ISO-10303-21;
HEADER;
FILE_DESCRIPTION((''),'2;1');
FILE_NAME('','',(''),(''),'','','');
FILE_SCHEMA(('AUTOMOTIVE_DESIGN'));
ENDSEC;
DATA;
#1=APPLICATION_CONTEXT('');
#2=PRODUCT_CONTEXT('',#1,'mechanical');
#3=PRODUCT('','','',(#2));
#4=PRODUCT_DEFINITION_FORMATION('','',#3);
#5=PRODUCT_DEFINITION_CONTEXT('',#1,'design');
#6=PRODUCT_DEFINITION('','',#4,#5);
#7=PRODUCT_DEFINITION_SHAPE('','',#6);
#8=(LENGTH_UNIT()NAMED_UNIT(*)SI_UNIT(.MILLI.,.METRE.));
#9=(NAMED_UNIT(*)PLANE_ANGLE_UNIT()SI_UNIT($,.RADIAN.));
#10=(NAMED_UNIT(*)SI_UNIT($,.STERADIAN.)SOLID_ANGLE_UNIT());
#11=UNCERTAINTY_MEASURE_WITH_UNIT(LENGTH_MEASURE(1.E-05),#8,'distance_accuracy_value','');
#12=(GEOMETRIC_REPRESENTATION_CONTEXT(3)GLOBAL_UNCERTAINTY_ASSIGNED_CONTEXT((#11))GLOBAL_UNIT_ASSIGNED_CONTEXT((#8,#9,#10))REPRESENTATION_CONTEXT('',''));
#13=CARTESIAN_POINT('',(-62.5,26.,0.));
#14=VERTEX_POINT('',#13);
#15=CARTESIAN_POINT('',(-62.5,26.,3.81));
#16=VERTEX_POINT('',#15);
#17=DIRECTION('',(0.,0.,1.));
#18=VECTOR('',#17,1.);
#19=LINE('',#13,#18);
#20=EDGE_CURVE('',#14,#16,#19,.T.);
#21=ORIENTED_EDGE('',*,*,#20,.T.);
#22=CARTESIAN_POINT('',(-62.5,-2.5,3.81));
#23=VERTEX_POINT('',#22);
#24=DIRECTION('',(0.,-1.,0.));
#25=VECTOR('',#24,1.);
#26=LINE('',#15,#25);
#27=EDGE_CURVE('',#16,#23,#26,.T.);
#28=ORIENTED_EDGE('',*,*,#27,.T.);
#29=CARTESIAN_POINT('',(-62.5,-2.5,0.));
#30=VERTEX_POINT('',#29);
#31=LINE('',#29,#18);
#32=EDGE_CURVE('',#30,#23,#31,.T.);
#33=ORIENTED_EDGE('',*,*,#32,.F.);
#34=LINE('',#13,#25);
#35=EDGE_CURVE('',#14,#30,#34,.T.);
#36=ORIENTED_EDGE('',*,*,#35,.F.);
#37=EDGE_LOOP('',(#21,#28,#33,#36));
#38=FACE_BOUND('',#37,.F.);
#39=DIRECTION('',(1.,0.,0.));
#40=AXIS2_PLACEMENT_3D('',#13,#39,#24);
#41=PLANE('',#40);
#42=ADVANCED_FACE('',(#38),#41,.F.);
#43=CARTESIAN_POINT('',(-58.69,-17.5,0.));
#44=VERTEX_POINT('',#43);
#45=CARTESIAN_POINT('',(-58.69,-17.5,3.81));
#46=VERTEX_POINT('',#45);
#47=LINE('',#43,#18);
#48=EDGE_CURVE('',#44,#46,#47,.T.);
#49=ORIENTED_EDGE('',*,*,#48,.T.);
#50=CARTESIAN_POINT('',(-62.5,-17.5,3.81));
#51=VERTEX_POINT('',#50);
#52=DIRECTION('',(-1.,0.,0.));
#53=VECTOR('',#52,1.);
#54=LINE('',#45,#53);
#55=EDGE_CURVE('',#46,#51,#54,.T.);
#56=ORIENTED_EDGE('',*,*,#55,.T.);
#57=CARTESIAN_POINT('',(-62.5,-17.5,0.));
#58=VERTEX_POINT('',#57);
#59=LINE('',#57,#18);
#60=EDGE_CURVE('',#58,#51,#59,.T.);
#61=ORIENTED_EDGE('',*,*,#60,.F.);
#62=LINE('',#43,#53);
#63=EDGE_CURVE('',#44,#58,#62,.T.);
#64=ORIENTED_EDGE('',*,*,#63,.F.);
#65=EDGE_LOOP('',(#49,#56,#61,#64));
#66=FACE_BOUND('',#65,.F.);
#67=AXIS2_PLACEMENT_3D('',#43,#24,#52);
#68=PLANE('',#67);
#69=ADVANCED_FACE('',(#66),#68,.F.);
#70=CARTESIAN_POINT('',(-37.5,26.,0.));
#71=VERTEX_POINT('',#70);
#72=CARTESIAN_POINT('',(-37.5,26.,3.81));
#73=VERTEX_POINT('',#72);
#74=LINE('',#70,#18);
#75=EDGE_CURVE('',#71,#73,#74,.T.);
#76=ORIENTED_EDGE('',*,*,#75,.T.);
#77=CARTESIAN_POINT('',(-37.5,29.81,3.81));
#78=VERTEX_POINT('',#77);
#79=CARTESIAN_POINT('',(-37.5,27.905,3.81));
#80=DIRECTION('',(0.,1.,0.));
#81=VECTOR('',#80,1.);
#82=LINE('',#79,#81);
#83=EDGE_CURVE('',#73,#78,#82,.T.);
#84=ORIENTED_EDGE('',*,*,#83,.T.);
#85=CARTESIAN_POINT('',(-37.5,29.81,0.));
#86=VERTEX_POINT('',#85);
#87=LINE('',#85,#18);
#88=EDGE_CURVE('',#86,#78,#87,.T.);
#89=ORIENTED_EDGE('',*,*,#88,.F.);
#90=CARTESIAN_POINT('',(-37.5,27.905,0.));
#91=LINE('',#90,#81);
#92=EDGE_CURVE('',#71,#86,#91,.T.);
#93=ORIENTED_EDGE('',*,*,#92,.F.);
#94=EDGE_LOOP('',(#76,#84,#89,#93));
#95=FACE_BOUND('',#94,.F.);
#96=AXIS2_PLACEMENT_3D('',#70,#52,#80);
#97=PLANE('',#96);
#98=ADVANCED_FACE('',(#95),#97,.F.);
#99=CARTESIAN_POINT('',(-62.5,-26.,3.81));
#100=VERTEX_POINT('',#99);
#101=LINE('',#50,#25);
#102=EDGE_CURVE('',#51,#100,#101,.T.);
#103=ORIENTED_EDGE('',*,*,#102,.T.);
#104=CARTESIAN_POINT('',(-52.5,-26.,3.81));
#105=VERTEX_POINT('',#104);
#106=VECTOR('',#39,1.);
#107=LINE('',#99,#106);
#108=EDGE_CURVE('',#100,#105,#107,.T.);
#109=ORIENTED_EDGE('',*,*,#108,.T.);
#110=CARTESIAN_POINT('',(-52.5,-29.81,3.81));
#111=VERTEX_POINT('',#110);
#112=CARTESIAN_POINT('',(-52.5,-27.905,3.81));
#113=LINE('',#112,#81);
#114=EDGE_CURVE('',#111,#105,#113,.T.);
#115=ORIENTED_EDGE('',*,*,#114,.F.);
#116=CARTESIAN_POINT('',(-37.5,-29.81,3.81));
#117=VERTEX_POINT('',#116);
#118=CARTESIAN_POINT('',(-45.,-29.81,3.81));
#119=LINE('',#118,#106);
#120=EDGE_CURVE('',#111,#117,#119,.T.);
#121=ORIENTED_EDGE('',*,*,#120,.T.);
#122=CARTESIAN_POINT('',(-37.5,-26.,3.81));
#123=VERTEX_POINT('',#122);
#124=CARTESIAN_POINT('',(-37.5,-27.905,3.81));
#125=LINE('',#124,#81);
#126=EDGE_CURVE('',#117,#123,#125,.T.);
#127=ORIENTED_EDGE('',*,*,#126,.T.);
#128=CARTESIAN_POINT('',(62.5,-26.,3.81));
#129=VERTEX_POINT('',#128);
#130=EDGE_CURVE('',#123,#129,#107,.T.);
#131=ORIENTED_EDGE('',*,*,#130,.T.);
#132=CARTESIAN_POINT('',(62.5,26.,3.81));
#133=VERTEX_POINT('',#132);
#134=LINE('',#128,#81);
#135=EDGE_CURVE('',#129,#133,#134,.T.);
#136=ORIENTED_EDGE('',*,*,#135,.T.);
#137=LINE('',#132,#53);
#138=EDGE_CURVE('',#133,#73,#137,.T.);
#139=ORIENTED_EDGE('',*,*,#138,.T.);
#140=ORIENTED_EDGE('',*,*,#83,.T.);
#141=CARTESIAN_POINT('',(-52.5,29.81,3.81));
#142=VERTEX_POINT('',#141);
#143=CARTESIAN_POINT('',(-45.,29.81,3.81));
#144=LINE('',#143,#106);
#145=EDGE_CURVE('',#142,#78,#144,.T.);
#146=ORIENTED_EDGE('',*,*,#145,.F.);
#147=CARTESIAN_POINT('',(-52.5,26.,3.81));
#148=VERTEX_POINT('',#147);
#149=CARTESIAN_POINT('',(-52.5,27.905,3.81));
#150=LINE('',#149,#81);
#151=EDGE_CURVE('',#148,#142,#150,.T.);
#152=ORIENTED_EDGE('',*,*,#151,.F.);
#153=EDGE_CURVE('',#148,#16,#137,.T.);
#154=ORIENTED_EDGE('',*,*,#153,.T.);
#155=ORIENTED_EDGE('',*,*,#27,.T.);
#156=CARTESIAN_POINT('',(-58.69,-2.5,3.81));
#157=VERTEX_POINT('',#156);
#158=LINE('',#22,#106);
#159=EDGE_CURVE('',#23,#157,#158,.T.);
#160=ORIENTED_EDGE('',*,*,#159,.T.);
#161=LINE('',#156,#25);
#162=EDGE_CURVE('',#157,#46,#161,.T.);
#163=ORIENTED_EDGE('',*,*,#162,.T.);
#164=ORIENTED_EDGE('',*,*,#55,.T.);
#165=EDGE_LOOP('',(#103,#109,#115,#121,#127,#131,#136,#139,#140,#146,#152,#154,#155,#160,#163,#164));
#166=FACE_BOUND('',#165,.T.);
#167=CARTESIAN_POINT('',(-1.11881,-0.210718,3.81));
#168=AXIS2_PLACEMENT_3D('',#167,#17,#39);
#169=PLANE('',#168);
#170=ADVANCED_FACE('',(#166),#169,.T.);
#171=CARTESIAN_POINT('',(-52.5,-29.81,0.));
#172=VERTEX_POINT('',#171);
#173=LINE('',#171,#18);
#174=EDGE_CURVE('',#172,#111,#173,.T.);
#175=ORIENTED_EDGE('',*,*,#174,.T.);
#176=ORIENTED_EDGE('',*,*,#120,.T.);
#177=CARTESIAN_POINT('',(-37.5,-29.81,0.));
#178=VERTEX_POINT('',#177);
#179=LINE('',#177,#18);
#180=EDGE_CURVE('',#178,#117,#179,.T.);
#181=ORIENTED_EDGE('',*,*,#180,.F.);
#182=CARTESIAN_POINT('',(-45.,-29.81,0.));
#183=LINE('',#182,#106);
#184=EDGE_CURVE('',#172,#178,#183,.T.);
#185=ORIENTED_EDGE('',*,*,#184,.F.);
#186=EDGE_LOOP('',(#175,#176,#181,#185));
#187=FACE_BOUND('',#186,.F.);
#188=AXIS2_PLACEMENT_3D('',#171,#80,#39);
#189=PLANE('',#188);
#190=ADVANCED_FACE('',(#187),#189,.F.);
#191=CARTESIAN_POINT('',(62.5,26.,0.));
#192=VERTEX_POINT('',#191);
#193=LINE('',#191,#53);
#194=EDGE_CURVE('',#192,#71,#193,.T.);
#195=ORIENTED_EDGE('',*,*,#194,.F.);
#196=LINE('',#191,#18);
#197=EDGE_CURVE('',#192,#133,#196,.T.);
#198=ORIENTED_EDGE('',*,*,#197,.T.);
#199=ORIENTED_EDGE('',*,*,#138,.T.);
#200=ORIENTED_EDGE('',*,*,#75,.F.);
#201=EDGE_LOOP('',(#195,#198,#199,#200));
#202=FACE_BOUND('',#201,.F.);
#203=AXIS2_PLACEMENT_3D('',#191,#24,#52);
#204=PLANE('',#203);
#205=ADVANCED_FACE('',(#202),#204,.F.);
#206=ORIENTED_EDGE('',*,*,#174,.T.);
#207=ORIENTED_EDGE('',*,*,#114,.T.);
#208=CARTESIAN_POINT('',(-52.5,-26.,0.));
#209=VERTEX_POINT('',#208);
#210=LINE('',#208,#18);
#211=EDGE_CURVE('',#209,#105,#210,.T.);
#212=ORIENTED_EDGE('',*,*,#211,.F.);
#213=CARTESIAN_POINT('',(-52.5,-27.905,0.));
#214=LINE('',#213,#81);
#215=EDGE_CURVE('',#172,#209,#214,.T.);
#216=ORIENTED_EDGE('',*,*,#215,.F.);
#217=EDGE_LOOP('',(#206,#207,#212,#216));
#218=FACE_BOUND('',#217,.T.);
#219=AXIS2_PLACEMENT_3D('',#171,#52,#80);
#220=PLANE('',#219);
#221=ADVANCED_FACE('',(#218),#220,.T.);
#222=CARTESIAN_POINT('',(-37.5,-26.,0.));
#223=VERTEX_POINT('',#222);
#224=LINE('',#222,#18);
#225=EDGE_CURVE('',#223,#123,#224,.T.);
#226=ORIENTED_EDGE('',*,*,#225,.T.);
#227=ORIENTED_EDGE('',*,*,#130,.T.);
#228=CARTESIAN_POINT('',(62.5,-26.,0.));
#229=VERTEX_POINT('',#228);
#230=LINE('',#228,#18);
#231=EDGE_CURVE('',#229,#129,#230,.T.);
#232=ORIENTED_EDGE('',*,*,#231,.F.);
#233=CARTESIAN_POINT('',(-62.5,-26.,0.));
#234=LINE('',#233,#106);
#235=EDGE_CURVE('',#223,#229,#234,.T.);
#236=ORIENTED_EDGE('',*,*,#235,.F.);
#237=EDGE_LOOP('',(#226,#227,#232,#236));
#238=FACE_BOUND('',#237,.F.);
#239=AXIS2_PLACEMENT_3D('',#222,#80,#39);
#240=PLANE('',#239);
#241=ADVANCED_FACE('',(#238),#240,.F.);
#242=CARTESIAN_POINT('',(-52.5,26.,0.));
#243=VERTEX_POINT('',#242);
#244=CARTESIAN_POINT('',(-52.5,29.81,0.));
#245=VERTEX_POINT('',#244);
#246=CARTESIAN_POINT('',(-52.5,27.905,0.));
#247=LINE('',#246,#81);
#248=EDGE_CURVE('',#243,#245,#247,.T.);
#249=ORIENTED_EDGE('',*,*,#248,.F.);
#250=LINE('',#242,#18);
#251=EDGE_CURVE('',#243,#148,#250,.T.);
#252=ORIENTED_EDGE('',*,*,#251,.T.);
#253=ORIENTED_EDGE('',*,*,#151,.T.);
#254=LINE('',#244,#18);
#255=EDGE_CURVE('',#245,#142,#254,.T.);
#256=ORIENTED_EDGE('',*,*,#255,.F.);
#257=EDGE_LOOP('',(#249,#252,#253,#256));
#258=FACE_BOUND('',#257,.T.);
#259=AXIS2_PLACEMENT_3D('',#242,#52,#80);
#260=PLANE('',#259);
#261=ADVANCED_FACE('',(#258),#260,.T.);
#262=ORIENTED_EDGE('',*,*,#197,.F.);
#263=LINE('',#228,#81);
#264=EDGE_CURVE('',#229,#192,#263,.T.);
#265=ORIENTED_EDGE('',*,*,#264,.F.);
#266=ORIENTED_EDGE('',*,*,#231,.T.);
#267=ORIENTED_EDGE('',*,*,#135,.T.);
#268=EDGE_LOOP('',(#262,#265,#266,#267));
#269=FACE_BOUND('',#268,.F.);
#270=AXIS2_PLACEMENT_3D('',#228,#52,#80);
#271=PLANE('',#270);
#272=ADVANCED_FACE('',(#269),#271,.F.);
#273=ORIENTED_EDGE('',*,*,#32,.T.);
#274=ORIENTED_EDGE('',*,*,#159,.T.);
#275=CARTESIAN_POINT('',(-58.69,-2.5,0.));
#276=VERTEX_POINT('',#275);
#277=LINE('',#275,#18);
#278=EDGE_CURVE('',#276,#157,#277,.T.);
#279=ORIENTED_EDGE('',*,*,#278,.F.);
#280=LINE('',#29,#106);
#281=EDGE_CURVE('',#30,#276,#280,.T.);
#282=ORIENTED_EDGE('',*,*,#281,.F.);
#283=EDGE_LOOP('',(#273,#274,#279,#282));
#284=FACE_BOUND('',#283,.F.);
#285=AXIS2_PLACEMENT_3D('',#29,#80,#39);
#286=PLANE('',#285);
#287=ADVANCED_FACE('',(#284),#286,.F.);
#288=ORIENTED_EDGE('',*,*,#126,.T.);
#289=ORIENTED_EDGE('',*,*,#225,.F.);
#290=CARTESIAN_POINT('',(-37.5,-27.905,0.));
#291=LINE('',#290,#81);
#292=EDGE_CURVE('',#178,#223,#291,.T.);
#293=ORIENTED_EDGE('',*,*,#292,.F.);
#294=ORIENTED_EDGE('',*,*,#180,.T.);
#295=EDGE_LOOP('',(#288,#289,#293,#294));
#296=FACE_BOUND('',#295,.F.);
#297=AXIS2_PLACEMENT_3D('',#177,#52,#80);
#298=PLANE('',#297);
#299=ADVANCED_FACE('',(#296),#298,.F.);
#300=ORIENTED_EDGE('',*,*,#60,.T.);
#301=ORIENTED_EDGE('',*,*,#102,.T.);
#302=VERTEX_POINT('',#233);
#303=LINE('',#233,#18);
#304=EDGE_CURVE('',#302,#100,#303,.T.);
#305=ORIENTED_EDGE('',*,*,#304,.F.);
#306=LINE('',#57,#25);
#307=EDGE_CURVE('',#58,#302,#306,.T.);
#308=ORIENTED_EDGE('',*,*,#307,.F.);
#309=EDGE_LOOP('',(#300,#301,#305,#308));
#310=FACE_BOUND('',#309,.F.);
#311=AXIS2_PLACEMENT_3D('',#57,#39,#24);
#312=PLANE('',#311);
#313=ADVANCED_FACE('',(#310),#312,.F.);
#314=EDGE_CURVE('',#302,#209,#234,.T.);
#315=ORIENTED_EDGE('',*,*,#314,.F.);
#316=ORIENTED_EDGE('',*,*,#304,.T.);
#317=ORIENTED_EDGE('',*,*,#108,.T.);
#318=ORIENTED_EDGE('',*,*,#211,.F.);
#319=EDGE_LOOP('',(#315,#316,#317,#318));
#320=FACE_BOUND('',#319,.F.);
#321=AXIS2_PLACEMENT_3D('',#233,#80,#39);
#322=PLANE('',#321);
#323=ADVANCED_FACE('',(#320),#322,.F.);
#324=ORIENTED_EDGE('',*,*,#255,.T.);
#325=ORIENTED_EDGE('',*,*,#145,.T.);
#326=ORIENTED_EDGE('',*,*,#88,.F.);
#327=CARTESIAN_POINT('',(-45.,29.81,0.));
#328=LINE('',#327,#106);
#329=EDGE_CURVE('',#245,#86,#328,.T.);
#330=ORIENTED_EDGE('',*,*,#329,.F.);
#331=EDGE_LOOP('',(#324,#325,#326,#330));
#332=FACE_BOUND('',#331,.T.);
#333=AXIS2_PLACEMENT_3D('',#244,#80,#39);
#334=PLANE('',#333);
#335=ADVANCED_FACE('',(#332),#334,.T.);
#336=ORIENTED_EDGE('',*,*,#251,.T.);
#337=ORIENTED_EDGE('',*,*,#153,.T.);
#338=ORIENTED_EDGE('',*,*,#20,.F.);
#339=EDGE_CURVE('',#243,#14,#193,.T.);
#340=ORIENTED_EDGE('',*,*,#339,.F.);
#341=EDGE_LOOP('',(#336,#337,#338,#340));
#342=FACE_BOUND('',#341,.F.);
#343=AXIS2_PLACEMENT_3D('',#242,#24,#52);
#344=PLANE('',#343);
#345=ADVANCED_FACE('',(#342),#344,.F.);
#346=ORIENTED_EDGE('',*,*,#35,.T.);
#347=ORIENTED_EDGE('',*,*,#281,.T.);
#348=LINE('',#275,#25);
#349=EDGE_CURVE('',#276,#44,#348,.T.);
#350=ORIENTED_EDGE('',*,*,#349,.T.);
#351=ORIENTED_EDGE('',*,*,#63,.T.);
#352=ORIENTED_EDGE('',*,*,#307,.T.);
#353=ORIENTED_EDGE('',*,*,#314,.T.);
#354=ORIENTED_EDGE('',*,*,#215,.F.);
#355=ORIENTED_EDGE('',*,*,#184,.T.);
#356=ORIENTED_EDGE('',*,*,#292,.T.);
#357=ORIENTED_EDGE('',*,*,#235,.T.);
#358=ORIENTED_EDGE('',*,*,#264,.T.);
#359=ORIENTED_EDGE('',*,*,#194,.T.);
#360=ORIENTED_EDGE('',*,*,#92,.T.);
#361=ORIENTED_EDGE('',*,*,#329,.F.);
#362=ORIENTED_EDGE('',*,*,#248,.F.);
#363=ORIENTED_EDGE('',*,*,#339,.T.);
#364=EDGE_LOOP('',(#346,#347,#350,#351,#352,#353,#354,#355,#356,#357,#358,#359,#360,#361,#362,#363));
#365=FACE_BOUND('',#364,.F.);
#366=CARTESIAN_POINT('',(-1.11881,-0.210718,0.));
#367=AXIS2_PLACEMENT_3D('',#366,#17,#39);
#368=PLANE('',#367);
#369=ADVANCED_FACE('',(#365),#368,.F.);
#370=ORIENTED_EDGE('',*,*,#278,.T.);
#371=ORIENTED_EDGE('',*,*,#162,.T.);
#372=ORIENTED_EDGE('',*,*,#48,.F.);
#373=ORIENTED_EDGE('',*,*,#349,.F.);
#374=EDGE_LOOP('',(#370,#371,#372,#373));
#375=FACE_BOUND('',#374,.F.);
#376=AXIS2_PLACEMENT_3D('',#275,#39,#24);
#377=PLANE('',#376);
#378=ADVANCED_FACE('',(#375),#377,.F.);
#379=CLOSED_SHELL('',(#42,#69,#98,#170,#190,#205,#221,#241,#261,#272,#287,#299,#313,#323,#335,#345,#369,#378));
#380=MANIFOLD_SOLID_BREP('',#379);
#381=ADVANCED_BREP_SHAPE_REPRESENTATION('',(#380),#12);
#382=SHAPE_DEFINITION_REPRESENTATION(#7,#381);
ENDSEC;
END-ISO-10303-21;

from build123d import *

# Parameters (mm, degrees)
F0_W     = 15
F0_H     = 3.81
F1_DEPTH = 3.81


with BuildPart() as f1:
    # F0 (on Top) → F1 (new body)
    with BuildSketch(Plane.XY):
        Polygon((62.5, -26), (62.5, 26), (-37.5, 26), (-52.5, 26), (-62.5, 26), (-62.5, -2.5), (-58.69, -2.5), (-58.69, -17.5), (-62.5, -17.5), (-62.5, -26), (-52.5, -26), (-37.5, -26), align=None)
        with Locations((-45, 27.905)):
            Rectangle(F0_W, F0_H)
        with Locations((-45, -27.905)):
            Rectangle(F0_W, F0_H)
    extrude(amount=F1_DEPTH)


solid = f1.part
